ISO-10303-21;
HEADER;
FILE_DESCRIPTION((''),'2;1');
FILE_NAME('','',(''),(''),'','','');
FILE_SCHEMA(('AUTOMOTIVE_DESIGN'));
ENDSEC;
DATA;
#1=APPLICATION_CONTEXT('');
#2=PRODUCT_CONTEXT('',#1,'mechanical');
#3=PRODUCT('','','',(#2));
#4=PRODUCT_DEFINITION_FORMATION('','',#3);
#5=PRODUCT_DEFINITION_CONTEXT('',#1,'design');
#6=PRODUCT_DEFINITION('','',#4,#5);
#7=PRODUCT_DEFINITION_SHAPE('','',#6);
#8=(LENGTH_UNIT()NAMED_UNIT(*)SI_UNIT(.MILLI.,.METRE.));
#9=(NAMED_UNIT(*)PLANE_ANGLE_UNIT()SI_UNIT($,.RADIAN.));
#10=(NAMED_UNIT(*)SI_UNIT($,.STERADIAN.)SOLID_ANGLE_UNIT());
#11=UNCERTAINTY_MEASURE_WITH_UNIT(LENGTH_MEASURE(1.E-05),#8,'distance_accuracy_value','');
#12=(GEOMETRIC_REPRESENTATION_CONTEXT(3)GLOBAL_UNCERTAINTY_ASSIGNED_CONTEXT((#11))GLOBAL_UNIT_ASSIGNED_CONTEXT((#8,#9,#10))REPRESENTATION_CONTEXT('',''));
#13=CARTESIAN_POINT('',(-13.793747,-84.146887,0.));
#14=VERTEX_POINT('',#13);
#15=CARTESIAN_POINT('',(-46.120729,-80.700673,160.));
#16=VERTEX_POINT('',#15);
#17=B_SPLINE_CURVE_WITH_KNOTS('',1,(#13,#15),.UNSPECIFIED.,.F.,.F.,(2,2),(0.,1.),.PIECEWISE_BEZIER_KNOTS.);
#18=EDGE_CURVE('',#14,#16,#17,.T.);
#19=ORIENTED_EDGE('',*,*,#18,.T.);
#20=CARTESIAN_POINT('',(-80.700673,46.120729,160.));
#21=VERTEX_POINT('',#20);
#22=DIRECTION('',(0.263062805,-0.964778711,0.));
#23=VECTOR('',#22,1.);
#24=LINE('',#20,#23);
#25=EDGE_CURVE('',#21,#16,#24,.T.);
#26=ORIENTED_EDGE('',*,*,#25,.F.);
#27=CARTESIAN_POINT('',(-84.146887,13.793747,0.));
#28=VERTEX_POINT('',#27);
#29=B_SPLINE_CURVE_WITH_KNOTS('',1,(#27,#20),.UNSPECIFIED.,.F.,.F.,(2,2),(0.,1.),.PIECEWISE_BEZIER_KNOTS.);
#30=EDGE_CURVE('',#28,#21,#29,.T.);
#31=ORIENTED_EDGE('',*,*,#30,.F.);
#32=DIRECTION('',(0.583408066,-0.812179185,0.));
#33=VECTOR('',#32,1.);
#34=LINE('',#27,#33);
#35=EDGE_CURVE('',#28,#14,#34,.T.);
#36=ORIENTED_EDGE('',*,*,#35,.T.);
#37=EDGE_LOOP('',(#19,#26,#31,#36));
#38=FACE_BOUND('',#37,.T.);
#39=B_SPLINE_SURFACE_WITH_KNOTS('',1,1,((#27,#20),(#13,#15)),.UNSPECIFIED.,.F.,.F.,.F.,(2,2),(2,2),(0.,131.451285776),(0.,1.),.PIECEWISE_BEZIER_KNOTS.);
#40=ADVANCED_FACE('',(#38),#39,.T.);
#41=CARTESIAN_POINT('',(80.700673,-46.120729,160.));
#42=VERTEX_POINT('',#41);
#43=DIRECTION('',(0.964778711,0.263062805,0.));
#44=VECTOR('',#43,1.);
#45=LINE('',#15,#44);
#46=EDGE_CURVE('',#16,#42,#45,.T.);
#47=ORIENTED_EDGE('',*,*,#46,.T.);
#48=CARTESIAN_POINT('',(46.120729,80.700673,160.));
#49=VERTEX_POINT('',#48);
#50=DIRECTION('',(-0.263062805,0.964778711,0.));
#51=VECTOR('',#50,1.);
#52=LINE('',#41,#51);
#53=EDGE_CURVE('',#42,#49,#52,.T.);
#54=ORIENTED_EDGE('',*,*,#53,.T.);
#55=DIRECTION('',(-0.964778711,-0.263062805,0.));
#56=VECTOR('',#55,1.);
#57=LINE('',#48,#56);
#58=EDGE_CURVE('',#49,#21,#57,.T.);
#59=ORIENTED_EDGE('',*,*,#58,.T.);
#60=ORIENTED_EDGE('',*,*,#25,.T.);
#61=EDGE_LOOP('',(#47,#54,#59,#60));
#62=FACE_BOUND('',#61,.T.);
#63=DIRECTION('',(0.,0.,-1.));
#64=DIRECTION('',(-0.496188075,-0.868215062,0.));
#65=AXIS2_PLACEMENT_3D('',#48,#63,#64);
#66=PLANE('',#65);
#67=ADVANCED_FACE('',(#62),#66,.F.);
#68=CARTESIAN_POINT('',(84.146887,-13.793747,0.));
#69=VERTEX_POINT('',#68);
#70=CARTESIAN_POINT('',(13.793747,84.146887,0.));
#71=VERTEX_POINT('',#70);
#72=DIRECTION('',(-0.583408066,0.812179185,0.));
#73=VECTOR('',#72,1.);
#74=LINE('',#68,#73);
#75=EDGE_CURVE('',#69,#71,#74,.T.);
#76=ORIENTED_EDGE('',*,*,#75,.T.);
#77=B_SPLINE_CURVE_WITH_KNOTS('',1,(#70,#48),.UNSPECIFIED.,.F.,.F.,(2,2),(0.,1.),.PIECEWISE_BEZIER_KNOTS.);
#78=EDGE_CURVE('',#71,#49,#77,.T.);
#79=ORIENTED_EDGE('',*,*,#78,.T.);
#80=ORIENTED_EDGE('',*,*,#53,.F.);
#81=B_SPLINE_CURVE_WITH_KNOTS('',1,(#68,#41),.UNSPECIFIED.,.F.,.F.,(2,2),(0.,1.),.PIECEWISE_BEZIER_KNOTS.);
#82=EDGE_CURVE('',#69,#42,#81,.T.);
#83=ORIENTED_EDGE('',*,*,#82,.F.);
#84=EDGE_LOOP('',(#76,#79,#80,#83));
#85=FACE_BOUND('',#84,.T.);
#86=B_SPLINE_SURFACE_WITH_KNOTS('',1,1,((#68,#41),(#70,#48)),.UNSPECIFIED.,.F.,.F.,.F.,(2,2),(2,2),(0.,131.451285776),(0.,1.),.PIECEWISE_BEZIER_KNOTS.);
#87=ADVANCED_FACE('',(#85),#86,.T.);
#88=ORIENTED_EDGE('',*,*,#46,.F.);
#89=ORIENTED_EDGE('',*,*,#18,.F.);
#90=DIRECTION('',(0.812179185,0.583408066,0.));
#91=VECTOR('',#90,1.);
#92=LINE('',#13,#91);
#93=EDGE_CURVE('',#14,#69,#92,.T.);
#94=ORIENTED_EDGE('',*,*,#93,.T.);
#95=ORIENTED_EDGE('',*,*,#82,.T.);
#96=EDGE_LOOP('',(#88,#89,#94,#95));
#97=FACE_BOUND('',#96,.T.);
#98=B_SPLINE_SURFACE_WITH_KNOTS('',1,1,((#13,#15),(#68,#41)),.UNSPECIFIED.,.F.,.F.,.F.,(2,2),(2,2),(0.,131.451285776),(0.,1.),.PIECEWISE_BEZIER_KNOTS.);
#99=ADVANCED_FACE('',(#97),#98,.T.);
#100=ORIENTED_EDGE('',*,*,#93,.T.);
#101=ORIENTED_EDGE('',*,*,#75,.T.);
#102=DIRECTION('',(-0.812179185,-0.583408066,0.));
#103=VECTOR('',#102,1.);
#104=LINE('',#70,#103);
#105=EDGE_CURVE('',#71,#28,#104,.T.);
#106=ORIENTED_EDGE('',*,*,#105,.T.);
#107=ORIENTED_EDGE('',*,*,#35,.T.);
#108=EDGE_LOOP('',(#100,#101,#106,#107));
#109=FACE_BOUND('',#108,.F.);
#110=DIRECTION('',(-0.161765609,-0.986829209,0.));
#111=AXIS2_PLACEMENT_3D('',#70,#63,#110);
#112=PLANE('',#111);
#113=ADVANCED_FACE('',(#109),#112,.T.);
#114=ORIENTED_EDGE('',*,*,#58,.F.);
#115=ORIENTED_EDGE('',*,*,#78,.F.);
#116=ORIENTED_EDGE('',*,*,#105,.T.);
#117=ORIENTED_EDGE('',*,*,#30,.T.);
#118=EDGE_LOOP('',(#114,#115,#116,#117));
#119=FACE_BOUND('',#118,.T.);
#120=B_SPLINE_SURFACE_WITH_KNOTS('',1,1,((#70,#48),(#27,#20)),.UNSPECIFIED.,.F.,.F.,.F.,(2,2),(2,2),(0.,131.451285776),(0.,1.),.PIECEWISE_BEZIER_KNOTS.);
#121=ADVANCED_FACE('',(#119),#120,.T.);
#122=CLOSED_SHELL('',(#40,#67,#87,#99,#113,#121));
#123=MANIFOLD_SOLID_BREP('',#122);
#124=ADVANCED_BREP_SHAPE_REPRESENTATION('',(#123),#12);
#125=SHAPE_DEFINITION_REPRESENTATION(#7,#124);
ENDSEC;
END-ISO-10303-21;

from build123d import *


with BuildPart() as f3:
    # F0 (on Top) → F3 section 0
    with BuildSketch(Plane.XY):
        Polygon((13.793747, 84.146887), (-84.146887, 13.793747), (-13.793747, -84.146887), (84.146887, -13.793747), align=None)
    # F2 (on offset) → F3 section 1
    with BuildSketch(Plane.XY.offset(160)):
        Polygon((-80.700673, 46.120729), (-46.120729, -80.700673), (80.700673, -46.120729), (46.120729, 80.700673), align=None)
    loft()


solid = f3.part
